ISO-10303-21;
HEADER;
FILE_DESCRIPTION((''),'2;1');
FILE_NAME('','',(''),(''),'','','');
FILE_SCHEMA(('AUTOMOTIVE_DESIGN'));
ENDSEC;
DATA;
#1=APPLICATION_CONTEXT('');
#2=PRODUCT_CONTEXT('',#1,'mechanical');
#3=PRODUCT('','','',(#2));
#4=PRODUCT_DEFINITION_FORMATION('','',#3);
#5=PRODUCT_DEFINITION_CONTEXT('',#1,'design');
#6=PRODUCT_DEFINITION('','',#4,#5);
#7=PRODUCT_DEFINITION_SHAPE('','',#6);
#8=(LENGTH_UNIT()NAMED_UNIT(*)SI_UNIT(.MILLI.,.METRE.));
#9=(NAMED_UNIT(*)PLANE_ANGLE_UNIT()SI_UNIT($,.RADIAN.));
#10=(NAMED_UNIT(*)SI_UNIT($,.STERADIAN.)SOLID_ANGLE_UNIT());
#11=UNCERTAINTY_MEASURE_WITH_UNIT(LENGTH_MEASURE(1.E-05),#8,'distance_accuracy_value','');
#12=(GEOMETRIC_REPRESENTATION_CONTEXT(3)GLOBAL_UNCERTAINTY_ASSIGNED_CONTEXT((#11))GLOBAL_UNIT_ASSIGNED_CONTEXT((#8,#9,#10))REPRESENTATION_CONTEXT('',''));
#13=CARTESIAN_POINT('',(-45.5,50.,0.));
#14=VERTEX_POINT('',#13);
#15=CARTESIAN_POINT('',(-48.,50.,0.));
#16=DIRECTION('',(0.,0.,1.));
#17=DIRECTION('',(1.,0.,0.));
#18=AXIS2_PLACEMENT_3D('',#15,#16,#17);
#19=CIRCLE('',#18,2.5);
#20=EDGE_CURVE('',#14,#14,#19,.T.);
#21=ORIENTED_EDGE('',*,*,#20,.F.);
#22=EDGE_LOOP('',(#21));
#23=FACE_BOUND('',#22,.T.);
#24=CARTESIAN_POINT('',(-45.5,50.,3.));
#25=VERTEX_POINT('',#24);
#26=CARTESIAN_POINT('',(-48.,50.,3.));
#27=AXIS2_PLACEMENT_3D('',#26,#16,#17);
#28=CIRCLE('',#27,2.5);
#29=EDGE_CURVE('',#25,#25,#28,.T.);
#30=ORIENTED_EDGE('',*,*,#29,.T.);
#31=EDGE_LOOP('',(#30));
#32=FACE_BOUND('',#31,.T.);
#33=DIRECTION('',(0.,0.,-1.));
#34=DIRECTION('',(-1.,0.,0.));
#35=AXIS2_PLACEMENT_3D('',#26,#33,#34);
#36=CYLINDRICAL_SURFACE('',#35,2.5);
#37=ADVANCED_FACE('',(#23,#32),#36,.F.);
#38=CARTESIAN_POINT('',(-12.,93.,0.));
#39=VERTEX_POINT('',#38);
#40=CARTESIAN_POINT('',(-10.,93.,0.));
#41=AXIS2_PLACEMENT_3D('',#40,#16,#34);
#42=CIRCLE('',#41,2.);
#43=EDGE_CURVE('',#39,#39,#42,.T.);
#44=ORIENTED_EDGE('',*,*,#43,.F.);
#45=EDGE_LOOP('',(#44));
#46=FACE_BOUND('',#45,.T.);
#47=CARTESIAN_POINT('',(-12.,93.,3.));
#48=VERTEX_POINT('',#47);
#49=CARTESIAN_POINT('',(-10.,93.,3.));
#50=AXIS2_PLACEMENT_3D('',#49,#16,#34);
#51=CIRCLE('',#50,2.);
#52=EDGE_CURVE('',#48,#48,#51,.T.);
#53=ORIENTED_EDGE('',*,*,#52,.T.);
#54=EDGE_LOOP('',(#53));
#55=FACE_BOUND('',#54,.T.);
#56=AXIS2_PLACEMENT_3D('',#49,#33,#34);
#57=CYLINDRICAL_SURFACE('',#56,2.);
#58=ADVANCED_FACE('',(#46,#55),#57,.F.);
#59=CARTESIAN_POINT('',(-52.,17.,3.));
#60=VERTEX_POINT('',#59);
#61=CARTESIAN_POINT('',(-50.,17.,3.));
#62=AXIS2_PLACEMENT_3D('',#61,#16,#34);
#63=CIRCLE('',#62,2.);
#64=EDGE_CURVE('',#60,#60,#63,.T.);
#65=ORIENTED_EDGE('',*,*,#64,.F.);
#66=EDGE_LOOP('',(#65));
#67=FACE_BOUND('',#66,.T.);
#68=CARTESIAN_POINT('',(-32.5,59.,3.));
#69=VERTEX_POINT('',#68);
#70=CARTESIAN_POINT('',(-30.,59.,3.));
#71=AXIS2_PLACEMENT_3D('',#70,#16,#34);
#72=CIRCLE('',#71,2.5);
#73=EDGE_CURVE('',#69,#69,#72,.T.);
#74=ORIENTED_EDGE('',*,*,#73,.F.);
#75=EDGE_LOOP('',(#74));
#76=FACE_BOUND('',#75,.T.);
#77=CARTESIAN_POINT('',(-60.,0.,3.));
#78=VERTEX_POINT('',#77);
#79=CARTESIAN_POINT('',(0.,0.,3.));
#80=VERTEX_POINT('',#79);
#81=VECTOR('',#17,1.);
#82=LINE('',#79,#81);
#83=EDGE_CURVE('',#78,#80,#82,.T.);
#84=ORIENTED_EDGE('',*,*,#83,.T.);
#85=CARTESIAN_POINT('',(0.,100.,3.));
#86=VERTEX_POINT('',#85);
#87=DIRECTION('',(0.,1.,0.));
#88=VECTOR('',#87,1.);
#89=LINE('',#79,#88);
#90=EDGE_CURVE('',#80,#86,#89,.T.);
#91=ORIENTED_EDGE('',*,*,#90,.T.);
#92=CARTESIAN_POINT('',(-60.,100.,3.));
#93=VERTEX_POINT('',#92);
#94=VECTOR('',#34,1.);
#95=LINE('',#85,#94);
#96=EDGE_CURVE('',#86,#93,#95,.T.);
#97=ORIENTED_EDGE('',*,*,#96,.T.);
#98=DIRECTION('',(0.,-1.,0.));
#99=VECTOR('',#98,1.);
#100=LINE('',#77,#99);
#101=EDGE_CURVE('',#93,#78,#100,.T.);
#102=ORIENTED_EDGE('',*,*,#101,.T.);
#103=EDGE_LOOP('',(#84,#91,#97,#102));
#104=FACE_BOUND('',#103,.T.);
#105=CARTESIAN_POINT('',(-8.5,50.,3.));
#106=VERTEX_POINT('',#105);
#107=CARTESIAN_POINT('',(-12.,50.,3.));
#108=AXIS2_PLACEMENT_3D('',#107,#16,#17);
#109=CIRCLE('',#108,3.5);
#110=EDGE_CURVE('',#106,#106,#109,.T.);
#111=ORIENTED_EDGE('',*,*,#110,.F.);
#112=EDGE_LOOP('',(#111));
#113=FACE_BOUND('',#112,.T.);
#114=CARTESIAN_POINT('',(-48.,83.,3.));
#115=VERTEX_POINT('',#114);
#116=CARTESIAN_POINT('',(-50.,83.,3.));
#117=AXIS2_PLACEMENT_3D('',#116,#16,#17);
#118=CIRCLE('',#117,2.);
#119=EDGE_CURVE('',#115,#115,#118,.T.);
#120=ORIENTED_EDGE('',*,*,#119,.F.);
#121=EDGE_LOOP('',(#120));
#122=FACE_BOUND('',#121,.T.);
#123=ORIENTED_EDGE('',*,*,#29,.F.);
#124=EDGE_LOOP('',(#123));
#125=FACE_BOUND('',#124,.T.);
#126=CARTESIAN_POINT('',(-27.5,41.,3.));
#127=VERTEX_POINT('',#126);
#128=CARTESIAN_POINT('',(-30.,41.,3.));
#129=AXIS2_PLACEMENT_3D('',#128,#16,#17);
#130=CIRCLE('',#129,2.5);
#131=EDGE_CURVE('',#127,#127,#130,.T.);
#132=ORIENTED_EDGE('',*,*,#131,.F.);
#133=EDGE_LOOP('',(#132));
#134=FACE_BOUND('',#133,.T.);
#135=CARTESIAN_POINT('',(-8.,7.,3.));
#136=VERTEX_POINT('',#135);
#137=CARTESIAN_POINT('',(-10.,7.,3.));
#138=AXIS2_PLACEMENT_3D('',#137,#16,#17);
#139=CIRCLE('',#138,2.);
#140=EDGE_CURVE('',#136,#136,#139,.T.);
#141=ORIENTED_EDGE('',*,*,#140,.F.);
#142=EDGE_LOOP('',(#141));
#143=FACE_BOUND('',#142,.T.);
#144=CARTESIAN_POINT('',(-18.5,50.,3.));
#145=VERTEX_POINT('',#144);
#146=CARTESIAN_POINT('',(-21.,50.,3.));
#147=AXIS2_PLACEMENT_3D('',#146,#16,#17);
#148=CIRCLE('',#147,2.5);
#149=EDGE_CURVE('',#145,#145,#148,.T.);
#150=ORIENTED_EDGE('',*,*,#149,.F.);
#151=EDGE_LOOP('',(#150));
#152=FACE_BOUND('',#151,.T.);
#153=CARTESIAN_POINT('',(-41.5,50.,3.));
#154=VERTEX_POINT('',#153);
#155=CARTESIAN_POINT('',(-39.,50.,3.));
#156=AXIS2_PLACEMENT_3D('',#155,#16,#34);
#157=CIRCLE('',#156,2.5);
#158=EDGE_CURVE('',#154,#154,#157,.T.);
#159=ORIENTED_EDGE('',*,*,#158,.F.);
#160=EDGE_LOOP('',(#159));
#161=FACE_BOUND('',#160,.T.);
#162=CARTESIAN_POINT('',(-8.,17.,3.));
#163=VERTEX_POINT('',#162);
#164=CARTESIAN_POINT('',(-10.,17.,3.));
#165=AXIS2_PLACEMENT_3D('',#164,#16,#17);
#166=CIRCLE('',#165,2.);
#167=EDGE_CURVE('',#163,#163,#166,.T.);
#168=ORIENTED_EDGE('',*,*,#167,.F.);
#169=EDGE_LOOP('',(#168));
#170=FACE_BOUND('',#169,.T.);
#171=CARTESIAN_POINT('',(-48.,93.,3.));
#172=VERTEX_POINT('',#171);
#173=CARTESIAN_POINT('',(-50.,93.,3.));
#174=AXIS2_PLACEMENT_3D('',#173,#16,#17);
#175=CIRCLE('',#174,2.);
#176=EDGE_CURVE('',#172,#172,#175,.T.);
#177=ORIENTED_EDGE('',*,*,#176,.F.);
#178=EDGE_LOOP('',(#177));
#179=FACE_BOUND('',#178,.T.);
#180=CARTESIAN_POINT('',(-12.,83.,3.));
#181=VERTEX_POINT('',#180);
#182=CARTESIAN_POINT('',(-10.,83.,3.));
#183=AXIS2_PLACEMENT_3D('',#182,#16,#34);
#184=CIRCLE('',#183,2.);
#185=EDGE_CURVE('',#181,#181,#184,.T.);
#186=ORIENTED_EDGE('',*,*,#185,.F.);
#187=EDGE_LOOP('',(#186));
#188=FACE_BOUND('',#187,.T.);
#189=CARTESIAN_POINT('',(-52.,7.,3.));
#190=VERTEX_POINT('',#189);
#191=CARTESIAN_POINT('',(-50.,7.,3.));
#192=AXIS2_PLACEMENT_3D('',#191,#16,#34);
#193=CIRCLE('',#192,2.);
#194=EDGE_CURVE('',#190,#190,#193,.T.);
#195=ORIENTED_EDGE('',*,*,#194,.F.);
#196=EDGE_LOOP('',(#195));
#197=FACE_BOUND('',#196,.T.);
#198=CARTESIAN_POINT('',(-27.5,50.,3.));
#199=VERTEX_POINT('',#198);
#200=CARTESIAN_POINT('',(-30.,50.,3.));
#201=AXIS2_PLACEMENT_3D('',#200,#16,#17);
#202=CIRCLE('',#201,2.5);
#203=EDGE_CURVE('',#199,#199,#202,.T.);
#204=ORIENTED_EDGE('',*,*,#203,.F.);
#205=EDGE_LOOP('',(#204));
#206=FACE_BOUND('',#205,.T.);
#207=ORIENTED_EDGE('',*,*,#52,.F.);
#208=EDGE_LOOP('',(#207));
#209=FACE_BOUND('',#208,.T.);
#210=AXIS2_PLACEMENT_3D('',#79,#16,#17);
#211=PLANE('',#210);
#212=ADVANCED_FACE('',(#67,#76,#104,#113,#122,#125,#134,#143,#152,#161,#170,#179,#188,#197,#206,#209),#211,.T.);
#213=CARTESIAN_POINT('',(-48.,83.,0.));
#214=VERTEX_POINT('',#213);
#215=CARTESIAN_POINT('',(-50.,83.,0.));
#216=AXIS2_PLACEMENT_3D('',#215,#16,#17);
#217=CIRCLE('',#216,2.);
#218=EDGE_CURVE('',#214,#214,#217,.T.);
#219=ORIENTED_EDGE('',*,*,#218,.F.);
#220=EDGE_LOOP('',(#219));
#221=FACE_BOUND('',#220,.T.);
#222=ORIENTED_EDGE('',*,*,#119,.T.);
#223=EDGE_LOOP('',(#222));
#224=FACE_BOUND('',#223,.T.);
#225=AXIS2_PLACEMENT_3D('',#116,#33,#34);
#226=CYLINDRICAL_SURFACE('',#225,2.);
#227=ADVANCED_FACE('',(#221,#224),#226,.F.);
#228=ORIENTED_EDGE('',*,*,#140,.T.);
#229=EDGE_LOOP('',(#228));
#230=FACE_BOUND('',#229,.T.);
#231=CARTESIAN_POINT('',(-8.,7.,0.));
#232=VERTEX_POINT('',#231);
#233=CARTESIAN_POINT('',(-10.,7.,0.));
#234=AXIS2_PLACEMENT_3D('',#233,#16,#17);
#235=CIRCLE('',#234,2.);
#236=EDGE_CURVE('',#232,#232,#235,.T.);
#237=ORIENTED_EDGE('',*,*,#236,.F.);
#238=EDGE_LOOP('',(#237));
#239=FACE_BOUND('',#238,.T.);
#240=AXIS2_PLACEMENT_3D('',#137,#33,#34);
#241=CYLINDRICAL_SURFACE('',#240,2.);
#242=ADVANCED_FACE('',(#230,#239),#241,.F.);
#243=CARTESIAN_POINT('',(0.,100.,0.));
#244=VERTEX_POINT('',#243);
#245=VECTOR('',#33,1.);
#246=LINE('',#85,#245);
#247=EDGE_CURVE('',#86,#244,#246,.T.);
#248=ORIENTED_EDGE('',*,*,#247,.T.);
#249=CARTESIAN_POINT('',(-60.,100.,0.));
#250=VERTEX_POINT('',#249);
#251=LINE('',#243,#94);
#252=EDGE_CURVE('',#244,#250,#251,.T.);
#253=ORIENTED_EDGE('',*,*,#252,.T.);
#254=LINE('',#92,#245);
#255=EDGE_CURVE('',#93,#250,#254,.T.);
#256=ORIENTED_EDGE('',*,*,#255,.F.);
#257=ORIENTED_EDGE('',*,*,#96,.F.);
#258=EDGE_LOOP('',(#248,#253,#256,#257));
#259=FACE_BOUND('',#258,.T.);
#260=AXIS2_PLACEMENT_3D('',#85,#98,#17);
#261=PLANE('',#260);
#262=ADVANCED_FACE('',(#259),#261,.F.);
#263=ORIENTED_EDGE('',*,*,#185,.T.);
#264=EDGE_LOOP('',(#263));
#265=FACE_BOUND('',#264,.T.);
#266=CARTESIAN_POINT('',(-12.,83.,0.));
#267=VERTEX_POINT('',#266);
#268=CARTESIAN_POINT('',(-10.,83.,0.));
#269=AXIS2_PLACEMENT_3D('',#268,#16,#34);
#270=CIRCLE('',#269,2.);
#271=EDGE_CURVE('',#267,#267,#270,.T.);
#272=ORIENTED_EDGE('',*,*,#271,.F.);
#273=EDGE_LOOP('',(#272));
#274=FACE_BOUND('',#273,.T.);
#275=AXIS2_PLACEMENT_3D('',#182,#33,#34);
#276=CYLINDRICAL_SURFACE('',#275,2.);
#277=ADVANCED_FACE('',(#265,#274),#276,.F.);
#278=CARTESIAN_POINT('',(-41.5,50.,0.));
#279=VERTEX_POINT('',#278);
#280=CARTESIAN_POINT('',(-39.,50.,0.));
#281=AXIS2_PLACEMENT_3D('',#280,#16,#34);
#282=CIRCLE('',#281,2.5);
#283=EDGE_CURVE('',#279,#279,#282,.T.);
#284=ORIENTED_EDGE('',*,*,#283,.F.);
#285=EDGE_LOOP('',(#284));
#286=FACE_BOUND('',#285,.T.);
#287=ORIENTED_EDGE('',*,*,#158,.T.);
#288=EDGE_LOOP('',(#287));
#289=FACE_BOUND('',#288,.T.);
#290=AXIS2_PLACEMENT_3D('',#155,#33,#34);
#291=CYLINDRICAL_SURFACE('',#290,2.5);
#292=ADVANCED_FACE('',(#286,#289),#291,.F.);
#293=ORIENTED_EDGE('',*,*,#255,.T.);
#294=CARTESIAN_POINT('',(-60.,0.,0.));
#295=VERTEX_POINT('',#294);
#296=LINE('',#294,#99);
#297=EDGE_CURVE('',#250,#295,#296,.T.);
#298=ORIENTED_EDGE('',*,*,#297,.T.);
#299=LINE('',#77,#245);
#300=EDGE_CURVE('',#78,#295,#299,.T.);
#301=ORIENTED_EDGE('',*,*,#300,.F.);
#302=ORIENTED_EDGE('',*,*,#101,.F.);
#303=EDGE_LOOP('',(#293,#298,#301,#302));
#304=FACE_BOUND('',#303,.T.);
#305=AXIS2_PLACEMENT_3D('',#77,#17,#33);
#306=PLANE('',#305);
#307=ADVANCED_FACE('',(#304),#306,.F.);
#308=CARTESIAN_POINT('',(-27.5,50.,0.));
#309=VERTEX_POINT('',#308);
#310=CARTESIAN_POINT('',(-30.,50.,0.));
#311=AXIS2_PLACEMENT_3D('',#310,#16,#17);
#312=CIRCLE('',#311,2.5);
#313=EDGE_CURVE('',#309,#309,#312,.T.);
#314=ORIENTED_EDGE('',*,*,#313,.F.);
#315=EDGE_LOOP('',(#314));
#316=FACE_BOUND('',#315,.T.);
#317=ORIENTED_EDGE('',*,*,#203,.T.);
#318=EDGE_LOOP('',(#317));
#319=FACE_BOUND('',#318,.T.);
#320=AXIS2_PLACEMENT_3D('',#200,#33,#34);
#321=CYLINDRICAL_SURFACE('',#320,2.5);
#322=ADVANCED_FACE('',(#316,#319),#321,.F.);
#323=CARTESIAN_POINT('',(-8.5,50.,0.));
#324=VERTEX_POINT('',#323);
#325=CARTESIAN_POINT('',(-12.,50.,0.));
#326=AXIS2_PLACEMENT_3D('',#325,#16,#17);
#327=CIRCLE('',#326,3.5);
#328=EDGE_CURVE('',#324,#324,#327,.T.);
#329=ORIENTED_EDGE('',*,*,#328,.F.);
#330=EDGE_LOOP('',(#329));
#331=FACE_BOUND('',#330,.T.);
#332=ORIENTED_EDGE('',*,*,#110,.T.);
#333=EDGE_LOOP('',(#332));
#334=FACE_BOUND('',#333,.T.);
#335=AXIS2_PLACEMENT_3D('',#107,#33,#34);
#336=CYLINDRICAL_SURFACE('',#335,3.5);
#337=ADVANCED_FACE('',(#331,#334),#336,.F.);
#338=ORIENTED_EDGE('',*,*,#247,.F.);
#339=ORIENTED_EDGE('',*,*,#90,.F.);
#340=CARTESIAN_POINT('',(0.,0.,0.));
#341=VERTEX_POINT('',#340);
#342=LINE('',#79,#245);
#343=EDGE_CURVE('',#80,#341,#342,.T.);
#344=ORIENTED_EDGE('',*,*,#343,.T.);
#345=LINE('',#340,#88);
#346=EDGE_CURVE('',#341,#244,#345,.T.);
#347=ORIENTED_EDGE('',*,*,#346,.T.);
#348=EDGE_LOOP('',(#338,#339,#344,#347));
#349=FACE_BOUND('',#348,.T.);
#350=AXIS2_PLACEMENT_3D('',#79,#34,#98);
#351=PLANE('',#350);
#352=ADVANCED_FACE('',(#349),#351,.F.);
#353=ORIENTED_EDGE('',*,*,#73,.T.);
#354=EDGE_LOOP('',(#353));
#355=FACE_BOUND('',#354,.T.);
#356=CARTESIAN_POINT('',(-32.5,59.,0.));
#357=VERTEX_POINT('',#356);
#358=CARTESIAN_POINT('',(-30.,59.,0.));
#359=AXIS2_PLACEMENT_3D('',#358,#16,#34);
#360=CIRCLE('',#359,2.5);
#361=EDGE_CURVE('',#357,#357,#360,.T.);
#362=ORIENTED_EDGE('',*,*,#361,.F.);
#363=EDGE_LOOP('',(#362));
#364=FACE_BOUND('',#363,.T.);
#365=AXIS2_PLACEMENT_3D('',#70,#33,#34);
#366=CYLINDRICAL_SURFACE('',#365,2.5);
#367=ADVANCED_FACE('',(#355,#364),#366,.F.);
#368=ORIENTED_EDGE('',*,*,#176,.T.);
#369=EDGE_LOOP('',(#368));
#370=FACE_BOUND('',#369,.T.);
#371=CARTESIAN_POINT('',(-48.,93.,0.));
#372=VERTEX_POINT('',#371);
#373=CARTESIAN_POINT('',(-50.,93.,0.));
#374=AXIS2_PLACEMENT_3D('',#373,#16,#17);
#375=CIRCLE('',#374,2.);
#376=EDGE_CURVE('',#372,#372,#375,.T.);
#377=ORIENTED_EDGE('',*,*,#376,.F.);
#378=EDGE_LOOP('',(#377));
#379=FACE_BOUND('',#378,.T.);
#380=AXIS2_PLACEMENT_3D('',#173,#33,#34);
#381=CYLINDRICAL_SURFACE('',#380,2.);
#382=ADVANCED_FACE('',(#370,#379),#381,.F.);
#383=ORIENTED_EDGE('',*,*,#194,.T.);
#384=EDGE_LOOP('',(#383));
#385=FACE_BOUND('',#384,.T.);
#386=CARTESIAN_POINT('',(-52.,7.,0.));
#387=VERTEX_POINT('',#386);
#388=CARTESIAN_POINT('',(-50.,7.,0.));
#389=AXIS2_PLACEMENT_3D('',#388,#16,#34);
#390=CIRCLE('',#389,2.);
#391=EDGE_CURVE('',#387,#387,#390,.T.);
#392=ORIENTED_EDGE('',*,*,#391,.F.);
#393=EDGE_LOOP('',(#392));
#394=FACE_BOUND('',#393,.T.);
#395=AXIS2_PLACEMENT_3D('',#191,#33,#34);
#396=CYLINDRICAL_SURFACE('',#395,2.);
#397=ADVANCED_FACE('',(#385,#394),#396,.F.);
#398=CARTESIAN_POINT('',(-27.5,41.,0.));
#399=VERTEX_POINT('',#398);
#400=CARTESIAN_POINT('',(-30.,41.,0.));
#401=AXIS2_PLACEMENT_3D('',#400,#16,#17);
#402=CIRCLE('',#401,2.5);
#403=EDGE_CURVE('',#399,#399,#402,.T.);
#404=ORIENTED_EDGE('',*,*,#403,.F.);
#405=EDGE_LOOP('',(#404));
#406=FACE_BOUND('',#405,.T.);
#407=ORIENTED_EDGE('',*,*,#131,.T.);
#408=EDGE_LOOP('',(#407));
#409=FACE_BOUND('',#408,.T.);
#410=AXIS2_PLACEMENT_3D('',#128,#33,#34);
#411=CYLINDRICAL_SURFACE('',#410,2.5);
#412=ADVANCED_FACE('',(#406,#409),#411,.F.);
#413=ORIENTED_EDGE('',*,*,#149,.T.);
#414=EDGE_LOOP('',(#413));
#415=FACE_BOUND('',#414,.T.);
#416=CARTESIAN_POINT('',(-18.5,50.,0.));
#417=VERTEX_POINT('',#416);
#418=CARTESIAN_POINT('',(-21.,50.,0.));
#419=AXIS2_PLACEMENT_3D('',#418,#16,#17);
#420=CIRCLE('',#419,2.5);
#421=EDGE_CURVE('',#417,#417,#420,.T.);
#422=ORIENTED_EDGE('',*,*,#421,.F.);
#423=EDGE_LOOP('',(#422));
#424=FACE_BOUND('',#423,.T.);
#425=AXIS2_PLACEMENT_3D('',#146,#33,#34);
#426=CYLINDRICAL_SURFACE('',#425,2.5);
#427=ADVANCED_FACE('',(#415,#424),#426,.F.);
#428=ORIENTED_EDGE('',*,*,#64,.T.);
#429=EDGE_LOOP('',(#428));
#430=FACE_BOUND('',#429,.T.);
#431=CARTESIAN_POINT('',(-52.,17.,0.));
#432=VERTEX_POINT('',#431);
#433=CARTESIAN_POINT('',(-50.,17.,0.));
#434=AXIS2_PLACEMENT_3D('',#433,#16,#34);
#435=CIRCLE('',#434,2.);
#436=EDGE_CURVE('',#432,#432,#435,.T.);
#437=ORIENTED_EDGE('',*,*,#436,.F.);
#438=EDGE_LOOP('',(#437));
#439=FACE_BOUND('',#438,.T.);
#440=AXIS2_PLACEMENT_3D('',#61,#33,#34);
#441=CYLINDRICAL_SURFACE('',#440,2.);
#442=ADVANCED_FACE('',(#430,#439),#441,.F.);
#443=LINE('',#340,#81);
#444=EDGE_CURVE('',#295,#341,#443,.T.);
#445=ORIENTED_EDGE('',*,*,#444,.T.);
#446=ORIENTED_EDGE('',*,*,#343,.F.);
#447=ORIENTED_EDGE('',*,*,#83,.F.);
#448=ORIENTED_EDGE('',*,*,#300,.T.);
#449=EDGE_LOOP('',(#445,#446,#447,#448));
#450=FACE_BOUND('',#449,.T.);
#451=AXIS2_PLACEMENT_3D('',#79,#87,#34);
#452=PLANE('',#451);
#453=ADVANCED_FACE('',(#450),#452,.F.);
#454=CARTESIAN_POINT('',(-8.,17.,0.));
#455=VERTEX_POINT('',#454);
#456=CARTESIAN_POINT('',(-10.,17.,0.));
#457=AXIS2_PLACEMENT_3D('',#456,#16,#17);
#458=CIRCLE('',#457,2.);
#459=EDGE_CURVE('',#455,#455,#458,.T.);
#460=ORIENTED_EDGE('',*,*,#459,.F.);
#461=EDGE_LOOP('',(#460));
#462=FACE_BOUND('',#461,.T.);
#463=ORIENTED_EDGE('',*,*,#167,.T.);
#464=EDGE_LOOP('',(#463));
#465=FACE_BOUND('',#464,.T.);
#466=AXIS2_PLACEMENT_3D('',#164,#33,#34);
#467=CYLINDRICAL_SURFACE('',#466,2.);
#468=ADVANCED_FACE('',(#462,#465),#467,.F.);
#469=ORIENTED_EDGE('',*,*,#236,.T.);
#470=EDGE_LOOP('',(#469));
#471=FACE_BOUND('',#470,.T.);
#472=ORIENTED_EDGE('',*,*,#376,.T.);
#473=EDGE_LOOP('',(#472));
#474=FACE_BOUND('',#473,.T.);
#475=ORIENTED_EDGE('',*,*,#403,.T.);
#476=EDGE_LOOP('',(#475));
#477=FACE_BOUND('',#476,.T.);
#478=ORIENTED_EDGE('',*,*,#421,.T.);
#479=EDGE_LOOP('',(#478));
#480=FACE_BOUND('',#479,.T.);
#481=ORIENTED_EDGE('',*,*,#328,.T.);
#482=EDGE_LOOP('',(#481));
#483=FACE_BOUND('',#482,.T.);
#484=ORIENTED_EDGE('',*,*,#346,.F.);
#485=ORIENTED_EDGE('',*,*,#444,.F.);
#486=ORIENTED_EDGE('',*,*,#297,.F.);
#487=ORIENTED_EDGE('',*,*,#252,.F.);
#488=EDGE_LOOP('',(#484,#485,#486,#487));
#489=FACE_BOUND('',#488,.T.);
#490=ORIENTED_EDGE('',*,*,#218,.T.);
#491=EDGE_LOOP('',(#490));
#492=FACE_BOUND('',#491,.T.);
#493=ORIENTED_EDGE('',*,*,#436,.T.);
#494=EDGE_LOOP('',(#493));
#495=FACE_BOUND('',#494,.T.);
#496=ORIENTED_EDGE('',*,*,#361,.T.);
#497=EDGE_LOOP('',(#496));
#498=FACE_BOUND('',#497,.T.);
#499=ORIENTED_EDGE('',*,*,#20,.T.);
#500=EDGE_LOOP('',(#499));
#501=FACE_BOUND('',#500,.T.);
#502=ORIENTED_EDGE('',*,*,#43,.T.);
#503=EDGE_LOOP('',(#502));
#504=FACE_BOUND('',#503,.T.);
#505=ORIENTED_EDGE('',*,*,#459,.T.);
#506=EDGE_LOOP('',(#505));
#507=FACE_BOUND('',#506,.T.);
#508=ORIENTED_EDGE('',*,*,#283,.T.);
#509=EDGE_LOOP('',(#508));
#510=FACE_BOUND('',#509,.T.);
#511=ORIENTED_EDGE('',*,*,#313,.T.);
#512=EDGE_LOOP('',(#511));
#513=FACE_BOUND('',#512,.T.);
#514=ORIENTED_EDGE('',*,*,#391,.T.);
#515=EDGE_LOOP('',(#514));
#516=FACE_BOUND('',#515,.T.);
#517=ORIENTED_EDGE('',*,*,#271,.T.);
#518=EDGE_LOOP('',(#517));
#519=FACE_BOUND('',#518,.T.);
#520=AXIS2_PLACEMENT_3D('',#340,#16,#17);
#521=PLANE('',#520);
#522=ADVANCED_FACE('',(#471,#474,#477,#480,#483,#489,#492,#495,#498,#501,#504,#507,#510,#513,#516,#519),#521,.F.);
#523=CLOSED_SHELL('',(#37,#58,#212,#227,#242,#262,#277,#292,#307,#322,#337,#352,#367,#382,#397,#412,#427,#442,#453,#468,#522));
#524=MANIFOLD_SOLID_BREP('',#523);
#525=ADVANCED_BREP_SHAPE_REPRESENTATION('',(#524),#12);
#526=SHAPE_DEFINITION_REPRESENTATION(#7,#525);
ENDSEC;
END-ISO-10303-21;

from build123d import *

# Parameters (mm, degrees)
SKETCH_1_W      = 60
SKETCH_1_H      = 100
SKETCH_1_R      = 2.5
SKETCH_1_R_2    = 2
SKETCH_1_R_3    = 3.5
EXTRUDE_1_DEPTH = 3


with BuildPart() as part:
    # Эскиз1 → Бобышка-Вытянуть1 (new body)
    with BuildSketch(Plane.XY):
        with Locations((-30, 50)):
            Rectangle(SKETCH_1_W, SKETCH_1_H)
        with Locations((-30, 50)):
            Circle(SKETCH_1_R, mode=Mode.SUBTRACT)
        with Locations((-21, 50)):
            Circle(SKETCH_1_R, mode=Mode.SUBTRACT)
        with Locations(Location((-39, 50, 0), (0, 0, 180))):
            Circle(SKETCH_1_R, mode=Mode.SUBTRACT)
        with Locations((-30, 41)):
            Circle(SKETCH_1_R, mode=Mode.SUBTRACT)
        with Locations(Location((-30, 59, 0), (0, 0, 180))):
            Circle(SKETCH_1_R, mode=Mode.SUBTRACT)
        with Locations((-50, 93)):
            Circle(SKETCH_1_R_2, mode=Mode.SUBTRACT)
        with Locations((-50, 83)):
            Circle(SKETCH_1_R_2, mode=Mode.SUBTRACT)
        with Locations(Location((-10, 83, 0), (0, 0, 180))):
            Circle(SKETCH_1_R_2, mode=Mode.SUBTRACT)
        with Locations(Location((-10, 93, 0), (0, 0, 180))):
            Circle(SKETCH_1_R_2, mode=Mode.SUBTRACT)
        with Locations((-10, 17)):
            Circle(SKETCH_1_R_2, mode=Mode.SUBTRACT)
        with Locations((-10, 7)):
            Circle(SKETCH_1_R_2, mode=Mode.SUBTRACT)
        with Locations(Location((-50, 7, 0), (0, 0, 180))):
            Circle(SKETCH_1_R_2, mode=Mode.SUBTRACT)
        with Locations(Location((-50, 17, 0), (0, 0, 180))):
            Circle(SKETCH_1_R_2, mode=Mode.SUBTRACT)
        with Locations((-48, 50)):
            Circle(SKETCH_1_R, mode=Mode.SUBTRACT)
        with Locations((-12, 50)):
            Circle(SKETCH_1_R_3, mode=Mode.SUBTRACT)
    extrude(amount=EXTRUDE_1_DEPTH)


solid = part.part
